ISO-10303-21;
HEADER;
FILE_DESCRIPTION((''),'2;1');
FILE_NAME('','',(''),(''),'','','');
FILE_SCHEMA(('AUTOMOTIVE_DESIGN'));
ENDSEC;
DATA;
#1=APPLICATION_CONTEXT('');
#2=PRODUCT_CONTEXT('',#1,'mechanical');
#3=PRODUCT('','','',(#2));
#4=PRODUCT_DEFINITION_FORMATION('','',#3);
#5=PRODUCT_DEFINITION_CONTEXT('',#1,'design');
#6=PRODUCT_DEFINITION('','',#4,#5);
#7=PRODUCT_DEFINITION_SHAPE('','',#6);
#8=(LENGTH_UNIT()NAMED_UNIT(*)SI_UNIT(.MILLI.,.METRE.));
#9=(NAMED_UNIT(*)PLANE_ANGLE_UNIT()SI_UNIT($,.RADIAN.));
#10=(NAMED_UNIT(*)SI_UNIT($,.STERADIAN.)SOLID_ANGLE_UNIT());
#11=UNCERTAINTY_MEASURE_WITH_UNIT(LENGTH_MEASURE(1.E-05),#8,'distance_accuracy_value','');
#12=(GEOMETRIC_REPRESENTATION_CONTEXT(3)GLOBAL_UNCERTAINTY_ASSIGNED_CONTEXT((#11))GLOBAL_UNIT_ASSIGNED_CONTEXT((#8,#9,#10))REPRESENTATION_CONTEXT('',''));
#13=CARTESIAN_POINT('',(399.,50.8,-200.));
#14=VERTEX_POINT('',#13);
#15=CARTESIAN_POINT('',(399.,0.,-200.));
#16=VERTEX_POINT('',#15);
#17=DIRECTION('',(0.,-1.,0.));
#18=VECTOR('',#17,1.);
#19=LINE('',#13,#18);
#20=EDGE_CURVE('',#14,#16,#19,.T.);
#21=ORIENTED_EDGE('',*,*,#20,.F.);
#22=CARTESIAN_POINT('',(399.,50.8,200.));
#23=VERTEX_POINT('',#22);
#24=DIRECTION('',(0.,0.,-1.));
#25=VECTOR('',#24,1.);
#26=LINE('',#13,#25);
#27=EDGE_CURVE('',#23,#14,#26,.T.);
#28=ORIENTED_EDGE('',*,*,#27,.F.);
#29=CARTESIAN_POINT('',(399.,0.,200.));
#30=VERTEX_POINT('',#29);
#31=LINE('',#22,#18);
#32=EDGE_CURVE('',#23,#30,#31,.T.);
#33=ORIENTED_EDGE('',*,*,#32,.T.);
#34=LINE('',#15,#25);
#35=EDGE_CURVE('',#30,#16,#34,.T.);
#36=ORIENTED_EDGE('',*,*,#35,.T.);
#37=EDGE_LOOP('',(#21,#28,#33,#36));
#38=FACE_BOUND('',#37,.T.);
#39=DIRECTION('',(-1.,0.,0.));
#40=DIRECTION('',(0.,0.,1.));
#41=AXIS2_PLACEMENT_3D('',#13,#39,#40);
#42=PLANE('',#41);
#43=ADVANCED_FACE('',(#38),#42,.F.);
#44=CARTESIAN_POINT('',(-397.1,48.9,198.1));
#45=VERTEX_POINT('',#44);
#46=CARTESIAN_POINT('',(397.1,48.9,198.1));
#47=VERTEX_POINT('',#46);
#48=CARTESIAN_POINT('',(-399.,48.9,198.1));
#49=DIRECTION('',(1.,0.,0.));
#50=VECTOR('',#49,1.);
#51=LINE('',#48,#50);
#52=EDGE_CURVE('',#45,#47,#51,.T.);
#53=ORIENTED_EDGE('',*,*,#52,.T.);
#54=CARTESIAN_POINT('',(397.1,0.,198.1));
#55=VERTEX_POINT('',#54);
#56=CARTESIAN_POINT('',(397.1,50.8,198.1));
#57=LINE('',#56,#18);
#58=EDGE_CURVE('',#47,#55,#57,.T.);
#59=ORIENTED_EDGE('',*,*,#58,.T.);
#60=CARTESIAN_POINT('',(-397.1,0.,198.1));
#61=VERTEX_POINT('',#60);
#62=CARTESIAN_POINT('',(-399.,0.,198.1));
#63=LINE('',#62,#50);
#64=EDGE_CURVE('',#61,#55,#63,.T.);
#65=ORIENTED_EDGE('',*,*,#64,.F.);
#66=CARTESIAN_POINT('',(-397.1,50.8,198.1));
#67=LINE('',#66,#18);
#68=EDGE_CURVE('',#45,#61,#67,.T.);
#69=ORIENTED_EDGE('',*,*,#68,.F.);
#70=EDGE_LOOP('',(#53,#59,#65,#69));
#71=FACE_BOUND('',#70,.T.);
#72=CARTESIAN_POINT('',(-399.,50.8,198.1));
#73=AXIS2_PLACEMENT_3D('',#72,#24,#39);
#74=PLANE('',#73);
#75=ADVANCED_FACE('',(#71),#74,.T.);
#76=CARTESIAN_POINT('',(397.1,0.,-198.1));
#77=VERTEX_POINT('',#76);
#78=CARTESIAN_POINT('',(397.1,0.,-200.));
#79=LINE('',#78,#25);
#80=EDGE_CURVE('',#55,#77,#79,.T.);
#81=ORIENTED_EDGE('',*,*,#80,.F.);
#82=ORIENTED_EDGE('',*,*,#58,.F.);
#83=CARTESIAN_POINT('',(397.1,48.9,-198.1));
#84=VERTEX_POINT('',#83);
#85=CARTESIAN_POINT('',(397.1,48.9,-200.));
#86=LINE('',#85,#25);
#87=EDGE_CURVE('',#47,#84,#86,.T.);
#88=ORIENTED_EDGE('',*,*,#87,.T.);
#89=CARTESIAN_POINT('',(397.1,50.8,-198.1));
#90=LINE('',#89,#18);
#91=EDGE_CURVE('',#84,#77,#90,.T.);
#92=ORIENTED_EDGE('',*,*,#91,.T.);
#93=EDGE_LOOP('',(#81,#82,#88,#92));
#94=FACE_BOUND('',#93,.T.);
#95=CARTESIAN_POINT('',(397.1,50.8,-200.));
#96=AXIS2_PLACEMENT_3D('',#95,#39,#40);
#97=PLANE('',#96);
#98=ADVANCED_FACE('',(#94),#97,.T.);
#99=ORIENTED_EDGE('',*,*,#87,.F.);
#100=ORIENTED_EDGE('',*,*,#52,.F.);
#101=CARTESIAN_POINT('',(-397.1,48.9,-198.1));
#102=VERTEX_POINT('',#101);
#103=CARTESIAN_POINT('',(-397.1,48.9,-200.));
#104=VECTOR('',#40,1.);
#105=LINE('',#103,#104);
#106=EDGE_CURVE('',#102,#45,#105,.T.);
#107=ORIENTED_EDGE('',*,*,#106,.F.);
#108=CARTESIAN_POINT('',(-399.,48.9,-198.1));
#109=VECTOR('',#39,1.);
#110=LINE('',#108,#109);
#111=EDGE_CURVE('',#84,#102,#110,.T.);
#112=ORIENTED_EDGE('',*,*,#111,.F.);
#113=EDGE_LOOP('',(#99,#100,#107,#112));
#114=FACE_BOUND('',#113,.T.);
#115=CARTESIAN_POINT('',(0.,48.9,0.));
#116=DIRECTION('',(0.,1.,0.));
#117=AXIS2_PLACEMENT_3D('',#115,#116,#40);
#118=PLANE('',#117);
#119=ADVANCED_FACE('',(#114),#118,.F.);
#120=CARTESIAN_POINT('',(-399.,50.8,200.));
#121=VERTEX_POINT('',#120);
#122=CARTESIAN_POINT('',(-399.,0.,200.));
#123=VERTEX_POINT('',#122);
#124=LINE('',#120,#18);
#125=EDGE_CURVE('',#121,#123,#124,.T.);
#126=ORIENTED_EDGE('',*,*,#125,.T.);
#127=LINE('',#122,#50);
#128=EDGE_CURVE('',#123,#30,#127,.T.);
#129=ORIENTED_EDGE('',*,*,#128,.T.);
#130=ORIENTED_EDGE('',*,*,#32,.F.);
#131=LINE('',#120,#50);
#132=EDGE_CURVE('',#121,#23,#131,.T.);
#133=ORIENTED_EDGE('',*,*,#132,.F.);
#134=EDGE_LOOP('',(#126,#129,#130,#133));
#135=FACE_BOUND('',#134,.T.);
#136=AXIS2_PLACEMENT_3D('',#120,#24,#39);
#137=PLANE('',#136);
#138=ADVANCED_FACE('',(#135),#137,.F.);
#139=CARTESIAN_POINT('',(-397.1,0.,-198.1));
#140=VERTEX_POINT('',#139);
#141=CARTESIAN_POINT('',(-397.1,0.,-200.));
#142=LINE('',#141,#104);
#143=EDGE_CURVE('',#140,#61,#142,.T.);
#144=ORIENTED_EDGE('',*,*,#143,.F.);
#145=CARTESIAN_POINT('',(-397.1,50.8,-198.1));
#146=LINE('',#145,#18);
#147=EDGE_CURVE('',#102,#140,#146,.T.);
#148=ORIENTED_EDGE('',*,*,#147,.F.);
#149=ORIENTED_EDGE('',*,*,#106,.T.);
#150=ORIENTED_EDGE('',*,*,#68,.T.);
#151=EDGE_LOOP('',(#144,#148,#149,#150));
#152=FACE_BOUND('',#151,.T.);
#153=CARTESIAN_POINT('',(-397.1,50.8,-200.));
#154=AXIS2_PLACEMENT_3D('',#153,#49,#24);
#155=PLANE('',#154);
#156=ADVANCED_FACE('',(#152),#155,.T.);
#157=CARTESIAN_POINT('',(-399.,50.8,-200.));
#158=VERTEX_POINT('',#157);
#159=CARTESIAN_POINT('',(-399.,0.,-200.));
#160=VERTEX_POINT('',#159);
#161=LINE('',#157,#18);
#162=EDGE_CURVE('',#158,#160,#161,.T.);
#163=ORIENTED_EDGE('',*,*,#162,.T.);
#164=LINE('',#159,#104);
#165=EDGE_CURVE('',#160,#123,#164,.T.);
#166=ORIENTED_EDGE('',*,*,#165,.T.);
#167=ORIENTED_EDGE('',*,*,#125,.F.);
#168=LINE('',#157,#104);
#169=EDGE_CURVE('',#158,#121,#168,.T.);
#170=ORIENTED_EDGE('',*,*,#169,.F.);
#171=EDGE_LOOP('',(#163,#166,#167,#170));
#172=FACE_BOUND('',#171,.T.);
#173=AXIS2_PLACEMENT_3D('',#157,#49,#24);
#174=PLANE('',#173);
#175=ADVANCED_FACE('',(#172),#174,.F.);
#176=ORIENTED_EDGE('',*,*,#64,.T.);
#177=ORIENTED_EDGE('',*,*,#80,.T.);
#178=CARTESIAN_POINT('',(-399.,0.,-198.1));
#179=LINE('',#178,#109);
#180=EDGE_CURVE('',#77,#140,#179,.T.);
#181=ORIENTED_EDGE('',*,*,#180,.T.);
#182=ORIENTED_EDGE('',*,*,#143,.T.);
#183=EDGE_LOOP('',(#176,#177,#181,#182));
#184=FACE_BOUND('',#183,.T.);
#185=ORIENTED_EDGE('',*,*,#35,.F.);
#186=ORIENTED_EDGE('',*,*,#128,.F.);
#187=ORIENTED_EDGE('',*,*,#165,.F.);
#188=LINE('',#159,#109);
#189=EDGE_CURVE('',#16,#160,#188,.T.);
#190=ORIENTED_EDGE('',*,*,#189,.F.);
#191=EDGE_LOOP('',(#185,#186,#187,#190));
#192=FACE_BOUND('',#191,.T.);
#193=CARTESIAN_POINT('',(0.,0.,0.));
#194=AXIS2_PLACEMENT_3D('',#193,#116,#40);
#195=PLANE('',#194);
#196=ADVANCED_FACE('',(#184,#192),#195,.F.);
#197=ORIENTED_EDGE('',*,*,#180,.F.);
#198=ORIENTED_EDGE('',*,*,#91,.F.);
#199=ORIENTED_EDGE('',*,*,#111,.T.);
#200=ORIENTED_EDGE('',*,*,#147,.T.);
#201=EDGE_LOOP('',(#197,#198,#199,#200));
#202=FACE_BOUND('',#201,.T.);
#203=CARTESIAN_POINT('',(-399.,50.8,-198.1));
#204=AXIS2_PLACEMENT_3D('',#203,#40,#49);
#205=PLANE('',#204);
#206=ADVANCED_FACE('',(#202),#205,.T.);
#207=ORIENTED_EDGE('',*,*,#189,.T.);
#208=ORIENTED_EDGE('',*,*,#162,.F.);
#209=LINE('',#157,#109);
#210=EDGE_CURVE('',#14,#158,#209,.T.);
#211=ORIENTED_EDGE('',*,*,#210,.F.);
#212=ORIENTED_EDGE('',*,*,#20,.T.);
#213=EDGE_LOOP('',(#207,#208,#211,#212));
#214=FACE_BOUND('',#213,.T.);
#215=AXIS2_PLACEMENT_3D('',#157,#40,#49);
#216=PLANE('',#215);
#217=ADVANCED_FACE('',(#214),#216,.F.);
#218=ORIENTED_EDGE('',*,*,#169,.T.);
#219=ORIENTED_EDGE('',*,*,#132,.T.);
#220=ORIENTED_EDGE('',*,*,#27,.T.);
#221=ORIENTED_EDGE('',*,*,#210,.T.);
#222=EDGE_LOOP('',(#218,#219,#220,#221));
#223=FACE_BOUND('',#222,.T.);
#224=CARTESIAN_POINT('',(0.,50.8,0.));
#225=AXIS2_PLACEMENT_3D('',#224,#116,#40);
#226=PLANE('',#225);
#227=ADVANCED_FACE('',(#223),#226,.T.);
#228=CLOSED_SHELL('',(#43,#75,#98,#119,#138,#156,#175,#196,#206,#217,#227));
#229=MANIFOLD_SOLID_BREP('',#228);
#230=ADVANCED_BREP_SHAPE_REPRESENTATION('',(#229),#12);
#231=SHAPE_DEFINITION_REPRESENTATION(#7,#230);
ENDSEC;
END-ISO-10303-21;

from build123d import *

# Parameters (mm, degrees)
CROQUIS1_W              = 798
CROQUIS1_H              = 400
SALIENTE_EXTRUIR1_DEPTH = 50.8
VACIADO1_T              = -1.9


with BuildPart() as part:
    # Croquis1 → Saliente-Extruir1 (new body)
    with BuildSketch(Plane(origin=(0, 0, 0), x_dir=(1, 0, 0), z_dir=(0, 1, 0))):
        Rectangle(CROQUIS1_W, CROQUIS1_H)
    extrude(amount=SALIENTE_EXTRUIR1_DEPTH)

    # Vaciado1
    vaciado1_openings = [part.faces().sort_by_distance(p)[0] for p in [
        (0, 0, 0),
    ]]
    offset(amount=VACIADO1_T, openings=vaciado1_openings, kind=Kind.INTERSECTION)


solid = part.part
